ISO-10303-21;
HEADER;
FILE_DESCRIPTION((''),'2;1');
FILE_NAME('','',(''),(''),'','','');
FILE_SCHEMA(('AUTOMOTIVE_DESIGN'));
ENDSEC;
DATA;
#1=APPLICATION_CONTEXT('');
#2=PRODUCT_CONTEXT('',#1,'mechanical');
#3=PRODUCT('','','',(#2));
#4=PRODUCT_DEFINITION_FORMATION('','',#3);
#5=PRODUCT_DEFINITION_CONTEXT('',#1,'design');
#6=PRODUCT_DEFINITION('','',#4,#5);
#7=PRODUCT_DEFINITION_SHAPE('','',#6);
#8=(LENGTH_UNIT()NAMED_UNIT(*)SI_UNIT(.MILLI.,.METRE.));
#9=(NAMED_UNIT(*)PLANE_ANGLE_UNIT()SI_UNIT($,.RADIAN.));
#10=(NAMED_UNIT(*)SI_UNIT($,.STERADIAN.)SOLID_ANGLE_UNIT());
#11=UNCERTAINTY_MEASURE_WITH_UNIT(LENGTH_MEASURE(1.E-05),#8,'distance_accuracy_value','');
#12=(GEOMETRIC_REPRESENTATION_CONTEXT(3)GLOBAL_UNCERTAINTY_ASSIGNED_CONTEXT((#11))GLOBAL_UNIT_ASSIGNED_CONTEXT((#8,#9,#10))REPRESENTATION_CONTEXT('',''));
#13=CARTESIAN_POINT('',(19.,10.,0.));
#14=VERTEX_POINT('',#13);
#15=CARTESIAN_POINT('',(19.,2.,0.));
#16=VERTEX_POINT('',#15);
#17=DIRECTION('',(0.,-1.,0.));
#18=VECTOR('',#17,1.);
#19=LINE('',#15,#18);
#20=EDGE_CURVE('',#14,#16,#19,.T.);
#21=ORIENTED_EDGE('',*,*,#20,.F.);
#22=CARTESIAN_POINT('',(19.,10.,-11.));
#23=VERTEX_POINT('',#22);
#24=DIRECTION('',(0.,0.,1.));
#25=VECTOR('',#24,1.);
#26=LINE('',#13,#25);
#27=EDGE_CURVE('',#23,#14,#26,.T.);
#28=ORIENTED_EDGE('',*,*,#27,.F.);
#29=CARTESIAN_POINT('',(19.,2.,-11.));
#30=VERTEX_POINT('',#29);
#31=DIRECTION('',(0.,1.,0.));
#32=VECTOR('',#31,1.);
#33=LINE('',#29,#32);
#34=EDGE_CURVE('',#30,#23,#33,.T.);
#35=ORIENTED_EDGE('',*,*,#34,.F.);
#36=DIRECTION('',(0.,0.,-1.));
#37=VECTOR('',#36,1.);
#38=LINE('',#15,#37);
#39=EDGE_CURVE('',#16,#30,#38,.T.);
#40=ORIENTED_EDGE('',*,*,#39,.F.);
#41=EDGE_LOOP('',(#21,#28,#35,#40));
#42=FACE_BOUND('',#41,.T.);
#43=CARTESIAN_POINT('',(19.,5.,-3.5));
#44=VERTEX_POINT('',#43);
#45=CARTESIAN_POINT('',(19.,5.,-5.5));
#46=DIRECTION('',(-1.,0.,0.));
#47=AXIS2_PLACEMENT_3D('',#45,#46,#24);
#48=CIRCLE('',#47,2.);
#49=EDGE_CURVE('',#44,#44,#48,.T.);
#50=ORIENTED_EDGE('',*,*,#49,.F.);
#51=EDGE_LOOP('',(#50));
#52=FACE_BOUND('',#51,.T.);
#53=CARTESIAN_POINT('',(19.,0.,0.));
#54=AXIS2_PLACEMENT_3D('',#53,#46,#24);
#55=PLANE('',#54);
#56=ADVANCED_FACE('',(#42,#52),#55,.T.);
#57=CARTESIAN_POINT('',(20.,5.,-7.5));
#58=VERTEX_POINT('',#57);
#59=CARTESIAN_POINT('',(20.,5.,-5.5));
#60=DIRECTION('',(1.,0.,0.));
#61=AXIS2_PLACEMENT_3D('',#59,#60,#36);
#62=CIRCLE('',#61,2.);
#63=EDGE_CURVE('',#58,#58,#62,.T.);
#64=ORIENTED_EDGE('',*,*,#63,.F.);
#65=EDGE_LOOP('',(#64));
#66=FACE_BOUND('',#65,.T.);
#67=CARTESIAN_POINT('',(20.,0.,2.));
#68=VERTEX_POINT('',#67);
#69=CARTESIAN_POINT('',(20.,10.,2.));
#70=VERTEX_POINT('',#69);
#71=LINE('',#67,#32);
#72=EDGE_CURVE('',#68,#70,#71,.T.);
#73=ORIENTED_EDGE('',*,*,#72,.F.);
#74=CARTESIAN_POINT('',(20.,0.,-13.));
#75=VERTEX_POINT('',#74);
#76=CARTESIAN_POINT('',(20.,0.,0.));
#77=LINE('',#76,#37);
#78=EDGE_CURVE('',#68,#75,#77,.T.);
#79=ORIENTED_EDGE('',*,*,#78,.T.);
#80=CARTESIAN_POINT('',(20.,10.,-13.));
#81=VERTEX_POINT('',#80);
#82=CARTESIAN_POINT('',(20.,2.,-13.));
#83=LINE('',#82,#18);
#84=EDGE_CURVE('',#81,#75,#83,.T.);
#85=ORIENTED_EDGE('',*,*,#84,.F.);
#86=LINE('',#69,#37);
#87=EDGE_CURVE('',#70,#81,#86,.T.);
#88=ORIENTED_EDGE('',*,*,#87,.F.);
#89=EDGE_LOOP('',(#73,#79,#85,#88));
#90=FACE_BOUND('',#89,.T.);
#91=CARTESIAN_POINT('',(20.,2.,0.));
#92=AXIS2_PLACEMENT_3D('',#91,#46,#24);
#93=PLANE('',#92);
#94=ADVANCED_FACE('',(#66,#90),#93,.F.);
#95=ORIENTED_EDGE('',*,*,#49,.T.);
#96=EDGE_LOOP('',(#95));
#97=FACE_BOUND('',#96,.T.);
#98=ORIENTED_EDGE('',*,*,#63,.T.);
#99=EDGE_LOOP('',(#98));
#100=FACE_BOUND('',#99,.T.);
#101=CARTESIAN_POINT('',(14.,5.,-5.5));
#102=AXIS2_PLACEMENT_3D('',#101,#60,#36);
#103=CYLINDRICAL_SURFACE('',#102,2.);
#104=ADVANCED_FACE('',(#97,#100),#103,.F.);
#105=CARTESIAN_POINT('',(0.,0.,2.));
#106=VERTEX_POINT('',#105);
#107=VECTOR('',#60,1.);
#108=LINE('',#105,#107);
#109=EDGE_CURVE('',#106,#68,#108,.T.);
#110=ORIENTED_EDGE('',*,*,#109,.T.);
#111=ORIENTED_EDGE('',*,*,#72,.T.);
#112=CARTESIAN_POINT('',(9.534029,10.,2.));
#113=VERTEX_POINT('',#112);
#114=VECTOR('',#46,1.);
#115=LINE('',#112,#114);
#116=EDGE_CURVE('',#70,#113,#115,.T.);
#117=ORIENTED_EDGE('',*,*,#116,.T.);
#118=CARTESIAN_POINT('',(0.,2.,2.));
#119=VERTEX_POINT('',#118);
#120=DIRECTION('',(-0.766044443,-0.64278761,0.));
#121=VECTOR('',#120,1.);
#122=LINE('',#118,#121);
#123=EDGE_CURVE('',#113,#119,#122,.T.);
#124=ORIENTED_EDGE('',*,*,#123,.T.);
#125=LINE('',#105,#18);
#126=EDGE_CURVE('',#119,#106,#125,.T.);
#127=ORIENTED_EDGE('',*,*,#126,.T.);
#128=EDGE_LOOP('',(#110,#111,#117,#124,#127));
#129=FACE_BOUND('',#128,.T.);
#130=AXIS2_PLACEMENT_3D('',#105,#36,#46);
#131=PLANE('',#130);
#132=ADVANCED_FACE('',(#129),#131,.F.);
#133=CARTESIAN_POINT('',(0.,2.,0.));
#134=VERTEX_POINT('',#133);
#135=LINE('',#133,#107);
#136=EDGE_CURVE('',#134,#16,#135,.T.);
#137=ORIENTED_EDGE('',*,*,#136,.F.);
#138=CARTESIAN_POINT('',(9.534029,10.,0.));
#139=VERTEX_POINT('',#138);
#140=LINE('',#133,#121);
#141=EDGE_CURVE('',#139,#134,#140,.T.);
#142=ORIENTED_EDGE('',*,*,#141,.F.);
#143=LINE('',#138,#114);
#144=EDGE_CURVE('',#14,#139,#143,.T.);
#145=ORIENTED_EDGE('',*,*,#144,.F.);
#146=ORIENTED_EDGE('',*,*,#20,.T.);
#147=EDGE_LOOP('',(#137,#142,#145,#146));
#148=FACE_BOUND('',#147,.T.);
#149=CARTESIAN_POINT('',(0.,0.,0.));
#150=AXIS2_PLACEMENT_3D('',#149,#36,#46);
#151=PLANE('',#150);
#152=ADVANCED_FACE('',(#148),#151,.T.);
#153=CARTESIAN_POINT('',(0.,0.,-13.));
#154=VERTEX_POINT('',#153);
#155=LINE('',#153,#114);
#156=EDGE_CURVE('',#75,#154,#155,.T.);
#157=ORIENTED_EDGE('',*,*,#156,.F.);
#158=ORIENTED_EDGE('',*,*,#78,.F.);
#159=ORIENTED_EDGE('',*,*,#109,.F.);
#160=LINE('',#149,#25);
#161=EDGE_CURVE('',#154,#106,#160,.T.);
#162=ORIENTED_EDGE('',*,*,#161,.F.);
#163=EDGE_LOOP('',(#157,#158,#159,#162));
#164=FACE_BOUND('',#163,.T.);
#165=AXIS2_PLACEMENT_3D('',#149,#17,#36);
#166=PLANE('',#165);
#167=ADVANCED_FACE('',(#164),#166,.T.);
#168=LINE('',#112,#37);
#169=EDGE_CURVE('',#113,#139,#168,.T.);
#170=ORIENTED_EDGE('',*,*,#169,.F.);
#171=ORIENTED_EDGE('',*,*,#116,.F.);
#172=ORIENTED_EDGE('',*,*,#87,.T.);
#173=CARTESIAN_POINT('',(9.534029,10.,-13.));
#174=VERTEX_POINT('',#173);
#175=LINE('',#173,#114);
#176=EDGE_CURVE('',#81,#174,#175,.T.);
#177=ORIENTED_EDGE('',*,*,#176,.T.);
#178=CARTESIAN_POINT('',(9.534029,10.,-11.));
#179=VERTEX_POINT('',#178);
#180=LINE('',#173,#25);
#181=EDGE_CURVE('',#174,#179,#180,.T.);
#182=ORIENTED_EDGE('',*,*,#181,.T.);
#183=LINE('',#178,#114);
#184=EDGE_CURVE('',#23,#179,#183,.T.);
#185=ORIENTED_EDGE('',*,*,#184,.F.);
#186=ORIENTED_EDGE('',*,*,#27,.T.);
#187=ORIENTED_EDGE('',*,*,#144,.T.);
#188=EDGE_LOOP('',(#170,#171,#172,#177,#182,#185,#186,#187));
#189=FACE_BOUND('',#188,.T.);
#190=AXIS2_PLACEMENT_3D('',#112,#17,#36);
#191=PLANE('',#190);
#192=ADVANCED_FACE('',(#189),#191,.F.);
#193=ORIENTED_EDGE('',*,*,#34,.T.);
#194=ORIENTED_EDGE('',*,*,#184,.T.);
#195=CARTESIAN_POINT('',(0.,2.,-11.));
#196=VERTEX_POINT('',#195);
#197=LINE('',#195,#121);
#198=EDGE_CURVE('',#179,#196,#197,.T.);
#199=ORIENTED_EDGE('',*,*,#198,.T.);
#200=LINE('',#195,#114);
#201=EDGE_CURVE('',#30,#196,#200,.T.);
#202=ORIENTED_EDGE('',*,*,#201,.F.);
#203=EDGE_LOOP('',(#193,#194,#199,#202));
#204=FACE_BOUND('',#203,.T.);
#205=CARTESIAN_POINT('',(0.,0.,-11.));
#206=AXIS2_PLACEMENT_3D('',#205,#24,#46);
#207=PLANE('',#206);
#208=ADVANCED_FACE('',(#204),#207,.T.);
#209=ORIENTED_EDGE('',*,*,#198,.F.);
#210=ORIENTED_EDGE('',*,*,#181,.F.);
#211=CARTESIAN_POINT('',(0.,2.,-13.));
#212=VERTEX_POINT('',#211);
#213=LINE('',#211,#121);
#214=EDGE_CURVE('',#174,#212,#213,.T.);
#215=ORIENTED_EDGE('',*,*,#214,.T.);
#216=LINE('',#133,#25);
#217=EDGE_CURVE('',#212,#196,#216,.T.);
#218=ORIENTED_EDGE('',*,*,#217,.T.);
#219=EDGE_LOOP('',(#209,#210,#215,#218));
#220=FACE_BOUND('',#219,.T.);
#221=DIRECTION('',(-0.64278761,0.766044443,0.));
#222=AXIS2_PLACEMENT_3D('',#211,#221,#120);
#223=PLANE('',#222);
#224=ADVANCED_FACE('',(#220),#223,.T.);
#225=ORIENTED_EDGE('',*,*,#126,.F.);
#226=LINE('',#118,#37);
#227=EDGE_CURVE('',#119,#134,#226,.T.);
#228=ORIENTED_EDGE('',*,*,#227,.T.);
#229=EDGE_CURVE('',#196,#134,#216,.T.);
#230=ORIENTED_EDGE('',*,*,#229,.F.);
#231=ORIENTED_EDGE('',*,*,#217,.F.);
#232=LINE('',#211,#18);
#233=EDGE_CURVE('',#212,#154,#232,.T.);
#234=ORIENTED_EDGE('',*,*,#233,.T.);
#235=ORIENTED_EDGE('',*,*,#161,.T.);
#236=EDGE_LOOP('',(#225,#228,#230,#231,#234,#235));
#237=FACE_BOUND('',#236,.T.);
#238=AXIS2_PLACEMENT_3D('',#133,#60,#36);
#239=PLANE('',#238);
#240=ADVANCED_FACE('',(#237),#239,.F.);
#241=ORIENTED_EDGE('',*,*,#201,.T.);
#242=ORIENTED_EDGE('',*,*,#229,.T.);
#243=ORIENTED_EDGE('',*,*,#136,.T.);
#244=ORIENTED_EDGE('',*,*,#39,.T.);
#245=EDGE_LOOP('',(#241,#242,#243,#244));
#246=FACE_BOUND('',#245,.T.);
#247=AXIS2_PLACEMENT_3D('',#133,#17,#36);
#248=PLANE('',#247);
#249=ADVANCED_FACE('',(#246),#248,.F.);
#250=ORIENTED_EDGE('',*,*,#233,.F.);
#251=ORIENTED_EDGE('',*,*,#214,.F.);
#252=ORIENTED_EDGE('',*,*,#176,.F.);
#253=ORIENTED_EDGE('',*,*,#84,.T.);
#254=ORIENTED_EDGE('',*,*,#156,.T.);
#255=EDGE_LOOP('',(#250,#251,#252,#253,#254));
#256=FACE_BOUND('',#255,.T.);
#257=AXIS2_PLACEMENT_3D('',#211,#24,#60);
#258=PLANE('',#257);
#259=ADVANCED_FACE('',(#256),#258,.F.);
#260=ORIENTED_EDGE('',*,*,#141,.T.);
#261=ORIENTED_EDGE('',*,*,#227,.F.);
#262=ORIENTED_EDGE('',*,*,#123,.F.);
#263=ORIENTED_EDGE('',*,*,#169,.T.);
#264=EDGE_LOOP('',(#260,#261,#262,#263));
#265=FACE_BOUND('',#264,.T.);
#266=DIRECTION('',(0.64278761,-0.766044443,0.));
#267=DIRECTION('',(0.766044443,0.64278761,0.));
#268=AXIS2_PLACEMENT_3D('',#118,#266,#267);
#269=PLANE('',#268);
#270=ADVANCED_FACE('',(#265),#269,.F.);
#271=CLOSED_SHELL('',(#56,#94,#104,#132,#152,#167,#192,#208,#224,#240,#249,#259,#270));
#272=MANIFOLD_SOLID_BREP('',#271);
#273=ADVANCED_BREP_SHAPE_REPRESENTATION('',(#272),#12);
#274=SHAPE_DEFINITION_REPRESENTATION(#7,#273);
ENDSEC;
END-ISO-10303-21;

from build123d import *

# Parameters (mm, degrees)
SKETCH2_W           = 20
SKETCH2_H           = 13
BOSS_EXTRUDE1_DEPTH = 2
BOSS_EXTRUDE2_DEPTH = 2
SKETCH4_W           = 11
SKETCH4_H           = 8
BOSS_EXTRUDE3_DEPTH = 1
SKETCH5_R           = 2
CUT_EXTRUDE1_DEPTH  = 6


with BuildPart() as part:
    # Sketch2 → Boss-Extrude1 (new body)
    with BuildSketch(Plane(origin=(0, 0, 0), x_dir=(1, 0, 0), z_dir=(0, 1, 0))):
        with Locations((10, 6.5)):
            Rectangle(SKETCH2_W, SKETCH2_H)
    extrude(amount=BOSS_EXTRUDE1_DEPTH)

    # Sketch3 → Boss-Extrude2 (add)
    with BuildSketch(Plane.XY):
        Polygon((0, 0), (20, 0), (20, 10), (9.534028741, 10), (0, 2), align=None)
    boss_extrude2 = extrude(amount=BOSS_EXTRUDE2_DEPTH)

    # Mirror1: Boss-Extrude2 across plane
    add(boss_extrude2.mirror(Plane.XY.offset(-5.5)))

    # Sketch4 → Boss-Extrude3 (add)
    with BuildSketch(Plane(origin=(20, 0, 0), x_dir=(0, 0, -1), z_dir=(1, 0, 0))):
        with Locations((5.5, 6)):
            Rectangle(SKETCH4_W, SKETCH4_H)
    extrude(amount=-BOSS_EXTRUDE3_DEPTH)

    # Sketch5 → Cut-Extrude1 (cut)
    with BuildSketch(Plane(origin=(20, 0, 0), x_dir=(0, 0, -1), z_dir=(1, 0, 0))):
        with Locations((5.5, 5)):
            Circle(SKETCH5_R)
    extrude(amount=-CUT_EXTRUDE1_DEPTH, mode=Mode.SUBTRACT)


solid = part.part
